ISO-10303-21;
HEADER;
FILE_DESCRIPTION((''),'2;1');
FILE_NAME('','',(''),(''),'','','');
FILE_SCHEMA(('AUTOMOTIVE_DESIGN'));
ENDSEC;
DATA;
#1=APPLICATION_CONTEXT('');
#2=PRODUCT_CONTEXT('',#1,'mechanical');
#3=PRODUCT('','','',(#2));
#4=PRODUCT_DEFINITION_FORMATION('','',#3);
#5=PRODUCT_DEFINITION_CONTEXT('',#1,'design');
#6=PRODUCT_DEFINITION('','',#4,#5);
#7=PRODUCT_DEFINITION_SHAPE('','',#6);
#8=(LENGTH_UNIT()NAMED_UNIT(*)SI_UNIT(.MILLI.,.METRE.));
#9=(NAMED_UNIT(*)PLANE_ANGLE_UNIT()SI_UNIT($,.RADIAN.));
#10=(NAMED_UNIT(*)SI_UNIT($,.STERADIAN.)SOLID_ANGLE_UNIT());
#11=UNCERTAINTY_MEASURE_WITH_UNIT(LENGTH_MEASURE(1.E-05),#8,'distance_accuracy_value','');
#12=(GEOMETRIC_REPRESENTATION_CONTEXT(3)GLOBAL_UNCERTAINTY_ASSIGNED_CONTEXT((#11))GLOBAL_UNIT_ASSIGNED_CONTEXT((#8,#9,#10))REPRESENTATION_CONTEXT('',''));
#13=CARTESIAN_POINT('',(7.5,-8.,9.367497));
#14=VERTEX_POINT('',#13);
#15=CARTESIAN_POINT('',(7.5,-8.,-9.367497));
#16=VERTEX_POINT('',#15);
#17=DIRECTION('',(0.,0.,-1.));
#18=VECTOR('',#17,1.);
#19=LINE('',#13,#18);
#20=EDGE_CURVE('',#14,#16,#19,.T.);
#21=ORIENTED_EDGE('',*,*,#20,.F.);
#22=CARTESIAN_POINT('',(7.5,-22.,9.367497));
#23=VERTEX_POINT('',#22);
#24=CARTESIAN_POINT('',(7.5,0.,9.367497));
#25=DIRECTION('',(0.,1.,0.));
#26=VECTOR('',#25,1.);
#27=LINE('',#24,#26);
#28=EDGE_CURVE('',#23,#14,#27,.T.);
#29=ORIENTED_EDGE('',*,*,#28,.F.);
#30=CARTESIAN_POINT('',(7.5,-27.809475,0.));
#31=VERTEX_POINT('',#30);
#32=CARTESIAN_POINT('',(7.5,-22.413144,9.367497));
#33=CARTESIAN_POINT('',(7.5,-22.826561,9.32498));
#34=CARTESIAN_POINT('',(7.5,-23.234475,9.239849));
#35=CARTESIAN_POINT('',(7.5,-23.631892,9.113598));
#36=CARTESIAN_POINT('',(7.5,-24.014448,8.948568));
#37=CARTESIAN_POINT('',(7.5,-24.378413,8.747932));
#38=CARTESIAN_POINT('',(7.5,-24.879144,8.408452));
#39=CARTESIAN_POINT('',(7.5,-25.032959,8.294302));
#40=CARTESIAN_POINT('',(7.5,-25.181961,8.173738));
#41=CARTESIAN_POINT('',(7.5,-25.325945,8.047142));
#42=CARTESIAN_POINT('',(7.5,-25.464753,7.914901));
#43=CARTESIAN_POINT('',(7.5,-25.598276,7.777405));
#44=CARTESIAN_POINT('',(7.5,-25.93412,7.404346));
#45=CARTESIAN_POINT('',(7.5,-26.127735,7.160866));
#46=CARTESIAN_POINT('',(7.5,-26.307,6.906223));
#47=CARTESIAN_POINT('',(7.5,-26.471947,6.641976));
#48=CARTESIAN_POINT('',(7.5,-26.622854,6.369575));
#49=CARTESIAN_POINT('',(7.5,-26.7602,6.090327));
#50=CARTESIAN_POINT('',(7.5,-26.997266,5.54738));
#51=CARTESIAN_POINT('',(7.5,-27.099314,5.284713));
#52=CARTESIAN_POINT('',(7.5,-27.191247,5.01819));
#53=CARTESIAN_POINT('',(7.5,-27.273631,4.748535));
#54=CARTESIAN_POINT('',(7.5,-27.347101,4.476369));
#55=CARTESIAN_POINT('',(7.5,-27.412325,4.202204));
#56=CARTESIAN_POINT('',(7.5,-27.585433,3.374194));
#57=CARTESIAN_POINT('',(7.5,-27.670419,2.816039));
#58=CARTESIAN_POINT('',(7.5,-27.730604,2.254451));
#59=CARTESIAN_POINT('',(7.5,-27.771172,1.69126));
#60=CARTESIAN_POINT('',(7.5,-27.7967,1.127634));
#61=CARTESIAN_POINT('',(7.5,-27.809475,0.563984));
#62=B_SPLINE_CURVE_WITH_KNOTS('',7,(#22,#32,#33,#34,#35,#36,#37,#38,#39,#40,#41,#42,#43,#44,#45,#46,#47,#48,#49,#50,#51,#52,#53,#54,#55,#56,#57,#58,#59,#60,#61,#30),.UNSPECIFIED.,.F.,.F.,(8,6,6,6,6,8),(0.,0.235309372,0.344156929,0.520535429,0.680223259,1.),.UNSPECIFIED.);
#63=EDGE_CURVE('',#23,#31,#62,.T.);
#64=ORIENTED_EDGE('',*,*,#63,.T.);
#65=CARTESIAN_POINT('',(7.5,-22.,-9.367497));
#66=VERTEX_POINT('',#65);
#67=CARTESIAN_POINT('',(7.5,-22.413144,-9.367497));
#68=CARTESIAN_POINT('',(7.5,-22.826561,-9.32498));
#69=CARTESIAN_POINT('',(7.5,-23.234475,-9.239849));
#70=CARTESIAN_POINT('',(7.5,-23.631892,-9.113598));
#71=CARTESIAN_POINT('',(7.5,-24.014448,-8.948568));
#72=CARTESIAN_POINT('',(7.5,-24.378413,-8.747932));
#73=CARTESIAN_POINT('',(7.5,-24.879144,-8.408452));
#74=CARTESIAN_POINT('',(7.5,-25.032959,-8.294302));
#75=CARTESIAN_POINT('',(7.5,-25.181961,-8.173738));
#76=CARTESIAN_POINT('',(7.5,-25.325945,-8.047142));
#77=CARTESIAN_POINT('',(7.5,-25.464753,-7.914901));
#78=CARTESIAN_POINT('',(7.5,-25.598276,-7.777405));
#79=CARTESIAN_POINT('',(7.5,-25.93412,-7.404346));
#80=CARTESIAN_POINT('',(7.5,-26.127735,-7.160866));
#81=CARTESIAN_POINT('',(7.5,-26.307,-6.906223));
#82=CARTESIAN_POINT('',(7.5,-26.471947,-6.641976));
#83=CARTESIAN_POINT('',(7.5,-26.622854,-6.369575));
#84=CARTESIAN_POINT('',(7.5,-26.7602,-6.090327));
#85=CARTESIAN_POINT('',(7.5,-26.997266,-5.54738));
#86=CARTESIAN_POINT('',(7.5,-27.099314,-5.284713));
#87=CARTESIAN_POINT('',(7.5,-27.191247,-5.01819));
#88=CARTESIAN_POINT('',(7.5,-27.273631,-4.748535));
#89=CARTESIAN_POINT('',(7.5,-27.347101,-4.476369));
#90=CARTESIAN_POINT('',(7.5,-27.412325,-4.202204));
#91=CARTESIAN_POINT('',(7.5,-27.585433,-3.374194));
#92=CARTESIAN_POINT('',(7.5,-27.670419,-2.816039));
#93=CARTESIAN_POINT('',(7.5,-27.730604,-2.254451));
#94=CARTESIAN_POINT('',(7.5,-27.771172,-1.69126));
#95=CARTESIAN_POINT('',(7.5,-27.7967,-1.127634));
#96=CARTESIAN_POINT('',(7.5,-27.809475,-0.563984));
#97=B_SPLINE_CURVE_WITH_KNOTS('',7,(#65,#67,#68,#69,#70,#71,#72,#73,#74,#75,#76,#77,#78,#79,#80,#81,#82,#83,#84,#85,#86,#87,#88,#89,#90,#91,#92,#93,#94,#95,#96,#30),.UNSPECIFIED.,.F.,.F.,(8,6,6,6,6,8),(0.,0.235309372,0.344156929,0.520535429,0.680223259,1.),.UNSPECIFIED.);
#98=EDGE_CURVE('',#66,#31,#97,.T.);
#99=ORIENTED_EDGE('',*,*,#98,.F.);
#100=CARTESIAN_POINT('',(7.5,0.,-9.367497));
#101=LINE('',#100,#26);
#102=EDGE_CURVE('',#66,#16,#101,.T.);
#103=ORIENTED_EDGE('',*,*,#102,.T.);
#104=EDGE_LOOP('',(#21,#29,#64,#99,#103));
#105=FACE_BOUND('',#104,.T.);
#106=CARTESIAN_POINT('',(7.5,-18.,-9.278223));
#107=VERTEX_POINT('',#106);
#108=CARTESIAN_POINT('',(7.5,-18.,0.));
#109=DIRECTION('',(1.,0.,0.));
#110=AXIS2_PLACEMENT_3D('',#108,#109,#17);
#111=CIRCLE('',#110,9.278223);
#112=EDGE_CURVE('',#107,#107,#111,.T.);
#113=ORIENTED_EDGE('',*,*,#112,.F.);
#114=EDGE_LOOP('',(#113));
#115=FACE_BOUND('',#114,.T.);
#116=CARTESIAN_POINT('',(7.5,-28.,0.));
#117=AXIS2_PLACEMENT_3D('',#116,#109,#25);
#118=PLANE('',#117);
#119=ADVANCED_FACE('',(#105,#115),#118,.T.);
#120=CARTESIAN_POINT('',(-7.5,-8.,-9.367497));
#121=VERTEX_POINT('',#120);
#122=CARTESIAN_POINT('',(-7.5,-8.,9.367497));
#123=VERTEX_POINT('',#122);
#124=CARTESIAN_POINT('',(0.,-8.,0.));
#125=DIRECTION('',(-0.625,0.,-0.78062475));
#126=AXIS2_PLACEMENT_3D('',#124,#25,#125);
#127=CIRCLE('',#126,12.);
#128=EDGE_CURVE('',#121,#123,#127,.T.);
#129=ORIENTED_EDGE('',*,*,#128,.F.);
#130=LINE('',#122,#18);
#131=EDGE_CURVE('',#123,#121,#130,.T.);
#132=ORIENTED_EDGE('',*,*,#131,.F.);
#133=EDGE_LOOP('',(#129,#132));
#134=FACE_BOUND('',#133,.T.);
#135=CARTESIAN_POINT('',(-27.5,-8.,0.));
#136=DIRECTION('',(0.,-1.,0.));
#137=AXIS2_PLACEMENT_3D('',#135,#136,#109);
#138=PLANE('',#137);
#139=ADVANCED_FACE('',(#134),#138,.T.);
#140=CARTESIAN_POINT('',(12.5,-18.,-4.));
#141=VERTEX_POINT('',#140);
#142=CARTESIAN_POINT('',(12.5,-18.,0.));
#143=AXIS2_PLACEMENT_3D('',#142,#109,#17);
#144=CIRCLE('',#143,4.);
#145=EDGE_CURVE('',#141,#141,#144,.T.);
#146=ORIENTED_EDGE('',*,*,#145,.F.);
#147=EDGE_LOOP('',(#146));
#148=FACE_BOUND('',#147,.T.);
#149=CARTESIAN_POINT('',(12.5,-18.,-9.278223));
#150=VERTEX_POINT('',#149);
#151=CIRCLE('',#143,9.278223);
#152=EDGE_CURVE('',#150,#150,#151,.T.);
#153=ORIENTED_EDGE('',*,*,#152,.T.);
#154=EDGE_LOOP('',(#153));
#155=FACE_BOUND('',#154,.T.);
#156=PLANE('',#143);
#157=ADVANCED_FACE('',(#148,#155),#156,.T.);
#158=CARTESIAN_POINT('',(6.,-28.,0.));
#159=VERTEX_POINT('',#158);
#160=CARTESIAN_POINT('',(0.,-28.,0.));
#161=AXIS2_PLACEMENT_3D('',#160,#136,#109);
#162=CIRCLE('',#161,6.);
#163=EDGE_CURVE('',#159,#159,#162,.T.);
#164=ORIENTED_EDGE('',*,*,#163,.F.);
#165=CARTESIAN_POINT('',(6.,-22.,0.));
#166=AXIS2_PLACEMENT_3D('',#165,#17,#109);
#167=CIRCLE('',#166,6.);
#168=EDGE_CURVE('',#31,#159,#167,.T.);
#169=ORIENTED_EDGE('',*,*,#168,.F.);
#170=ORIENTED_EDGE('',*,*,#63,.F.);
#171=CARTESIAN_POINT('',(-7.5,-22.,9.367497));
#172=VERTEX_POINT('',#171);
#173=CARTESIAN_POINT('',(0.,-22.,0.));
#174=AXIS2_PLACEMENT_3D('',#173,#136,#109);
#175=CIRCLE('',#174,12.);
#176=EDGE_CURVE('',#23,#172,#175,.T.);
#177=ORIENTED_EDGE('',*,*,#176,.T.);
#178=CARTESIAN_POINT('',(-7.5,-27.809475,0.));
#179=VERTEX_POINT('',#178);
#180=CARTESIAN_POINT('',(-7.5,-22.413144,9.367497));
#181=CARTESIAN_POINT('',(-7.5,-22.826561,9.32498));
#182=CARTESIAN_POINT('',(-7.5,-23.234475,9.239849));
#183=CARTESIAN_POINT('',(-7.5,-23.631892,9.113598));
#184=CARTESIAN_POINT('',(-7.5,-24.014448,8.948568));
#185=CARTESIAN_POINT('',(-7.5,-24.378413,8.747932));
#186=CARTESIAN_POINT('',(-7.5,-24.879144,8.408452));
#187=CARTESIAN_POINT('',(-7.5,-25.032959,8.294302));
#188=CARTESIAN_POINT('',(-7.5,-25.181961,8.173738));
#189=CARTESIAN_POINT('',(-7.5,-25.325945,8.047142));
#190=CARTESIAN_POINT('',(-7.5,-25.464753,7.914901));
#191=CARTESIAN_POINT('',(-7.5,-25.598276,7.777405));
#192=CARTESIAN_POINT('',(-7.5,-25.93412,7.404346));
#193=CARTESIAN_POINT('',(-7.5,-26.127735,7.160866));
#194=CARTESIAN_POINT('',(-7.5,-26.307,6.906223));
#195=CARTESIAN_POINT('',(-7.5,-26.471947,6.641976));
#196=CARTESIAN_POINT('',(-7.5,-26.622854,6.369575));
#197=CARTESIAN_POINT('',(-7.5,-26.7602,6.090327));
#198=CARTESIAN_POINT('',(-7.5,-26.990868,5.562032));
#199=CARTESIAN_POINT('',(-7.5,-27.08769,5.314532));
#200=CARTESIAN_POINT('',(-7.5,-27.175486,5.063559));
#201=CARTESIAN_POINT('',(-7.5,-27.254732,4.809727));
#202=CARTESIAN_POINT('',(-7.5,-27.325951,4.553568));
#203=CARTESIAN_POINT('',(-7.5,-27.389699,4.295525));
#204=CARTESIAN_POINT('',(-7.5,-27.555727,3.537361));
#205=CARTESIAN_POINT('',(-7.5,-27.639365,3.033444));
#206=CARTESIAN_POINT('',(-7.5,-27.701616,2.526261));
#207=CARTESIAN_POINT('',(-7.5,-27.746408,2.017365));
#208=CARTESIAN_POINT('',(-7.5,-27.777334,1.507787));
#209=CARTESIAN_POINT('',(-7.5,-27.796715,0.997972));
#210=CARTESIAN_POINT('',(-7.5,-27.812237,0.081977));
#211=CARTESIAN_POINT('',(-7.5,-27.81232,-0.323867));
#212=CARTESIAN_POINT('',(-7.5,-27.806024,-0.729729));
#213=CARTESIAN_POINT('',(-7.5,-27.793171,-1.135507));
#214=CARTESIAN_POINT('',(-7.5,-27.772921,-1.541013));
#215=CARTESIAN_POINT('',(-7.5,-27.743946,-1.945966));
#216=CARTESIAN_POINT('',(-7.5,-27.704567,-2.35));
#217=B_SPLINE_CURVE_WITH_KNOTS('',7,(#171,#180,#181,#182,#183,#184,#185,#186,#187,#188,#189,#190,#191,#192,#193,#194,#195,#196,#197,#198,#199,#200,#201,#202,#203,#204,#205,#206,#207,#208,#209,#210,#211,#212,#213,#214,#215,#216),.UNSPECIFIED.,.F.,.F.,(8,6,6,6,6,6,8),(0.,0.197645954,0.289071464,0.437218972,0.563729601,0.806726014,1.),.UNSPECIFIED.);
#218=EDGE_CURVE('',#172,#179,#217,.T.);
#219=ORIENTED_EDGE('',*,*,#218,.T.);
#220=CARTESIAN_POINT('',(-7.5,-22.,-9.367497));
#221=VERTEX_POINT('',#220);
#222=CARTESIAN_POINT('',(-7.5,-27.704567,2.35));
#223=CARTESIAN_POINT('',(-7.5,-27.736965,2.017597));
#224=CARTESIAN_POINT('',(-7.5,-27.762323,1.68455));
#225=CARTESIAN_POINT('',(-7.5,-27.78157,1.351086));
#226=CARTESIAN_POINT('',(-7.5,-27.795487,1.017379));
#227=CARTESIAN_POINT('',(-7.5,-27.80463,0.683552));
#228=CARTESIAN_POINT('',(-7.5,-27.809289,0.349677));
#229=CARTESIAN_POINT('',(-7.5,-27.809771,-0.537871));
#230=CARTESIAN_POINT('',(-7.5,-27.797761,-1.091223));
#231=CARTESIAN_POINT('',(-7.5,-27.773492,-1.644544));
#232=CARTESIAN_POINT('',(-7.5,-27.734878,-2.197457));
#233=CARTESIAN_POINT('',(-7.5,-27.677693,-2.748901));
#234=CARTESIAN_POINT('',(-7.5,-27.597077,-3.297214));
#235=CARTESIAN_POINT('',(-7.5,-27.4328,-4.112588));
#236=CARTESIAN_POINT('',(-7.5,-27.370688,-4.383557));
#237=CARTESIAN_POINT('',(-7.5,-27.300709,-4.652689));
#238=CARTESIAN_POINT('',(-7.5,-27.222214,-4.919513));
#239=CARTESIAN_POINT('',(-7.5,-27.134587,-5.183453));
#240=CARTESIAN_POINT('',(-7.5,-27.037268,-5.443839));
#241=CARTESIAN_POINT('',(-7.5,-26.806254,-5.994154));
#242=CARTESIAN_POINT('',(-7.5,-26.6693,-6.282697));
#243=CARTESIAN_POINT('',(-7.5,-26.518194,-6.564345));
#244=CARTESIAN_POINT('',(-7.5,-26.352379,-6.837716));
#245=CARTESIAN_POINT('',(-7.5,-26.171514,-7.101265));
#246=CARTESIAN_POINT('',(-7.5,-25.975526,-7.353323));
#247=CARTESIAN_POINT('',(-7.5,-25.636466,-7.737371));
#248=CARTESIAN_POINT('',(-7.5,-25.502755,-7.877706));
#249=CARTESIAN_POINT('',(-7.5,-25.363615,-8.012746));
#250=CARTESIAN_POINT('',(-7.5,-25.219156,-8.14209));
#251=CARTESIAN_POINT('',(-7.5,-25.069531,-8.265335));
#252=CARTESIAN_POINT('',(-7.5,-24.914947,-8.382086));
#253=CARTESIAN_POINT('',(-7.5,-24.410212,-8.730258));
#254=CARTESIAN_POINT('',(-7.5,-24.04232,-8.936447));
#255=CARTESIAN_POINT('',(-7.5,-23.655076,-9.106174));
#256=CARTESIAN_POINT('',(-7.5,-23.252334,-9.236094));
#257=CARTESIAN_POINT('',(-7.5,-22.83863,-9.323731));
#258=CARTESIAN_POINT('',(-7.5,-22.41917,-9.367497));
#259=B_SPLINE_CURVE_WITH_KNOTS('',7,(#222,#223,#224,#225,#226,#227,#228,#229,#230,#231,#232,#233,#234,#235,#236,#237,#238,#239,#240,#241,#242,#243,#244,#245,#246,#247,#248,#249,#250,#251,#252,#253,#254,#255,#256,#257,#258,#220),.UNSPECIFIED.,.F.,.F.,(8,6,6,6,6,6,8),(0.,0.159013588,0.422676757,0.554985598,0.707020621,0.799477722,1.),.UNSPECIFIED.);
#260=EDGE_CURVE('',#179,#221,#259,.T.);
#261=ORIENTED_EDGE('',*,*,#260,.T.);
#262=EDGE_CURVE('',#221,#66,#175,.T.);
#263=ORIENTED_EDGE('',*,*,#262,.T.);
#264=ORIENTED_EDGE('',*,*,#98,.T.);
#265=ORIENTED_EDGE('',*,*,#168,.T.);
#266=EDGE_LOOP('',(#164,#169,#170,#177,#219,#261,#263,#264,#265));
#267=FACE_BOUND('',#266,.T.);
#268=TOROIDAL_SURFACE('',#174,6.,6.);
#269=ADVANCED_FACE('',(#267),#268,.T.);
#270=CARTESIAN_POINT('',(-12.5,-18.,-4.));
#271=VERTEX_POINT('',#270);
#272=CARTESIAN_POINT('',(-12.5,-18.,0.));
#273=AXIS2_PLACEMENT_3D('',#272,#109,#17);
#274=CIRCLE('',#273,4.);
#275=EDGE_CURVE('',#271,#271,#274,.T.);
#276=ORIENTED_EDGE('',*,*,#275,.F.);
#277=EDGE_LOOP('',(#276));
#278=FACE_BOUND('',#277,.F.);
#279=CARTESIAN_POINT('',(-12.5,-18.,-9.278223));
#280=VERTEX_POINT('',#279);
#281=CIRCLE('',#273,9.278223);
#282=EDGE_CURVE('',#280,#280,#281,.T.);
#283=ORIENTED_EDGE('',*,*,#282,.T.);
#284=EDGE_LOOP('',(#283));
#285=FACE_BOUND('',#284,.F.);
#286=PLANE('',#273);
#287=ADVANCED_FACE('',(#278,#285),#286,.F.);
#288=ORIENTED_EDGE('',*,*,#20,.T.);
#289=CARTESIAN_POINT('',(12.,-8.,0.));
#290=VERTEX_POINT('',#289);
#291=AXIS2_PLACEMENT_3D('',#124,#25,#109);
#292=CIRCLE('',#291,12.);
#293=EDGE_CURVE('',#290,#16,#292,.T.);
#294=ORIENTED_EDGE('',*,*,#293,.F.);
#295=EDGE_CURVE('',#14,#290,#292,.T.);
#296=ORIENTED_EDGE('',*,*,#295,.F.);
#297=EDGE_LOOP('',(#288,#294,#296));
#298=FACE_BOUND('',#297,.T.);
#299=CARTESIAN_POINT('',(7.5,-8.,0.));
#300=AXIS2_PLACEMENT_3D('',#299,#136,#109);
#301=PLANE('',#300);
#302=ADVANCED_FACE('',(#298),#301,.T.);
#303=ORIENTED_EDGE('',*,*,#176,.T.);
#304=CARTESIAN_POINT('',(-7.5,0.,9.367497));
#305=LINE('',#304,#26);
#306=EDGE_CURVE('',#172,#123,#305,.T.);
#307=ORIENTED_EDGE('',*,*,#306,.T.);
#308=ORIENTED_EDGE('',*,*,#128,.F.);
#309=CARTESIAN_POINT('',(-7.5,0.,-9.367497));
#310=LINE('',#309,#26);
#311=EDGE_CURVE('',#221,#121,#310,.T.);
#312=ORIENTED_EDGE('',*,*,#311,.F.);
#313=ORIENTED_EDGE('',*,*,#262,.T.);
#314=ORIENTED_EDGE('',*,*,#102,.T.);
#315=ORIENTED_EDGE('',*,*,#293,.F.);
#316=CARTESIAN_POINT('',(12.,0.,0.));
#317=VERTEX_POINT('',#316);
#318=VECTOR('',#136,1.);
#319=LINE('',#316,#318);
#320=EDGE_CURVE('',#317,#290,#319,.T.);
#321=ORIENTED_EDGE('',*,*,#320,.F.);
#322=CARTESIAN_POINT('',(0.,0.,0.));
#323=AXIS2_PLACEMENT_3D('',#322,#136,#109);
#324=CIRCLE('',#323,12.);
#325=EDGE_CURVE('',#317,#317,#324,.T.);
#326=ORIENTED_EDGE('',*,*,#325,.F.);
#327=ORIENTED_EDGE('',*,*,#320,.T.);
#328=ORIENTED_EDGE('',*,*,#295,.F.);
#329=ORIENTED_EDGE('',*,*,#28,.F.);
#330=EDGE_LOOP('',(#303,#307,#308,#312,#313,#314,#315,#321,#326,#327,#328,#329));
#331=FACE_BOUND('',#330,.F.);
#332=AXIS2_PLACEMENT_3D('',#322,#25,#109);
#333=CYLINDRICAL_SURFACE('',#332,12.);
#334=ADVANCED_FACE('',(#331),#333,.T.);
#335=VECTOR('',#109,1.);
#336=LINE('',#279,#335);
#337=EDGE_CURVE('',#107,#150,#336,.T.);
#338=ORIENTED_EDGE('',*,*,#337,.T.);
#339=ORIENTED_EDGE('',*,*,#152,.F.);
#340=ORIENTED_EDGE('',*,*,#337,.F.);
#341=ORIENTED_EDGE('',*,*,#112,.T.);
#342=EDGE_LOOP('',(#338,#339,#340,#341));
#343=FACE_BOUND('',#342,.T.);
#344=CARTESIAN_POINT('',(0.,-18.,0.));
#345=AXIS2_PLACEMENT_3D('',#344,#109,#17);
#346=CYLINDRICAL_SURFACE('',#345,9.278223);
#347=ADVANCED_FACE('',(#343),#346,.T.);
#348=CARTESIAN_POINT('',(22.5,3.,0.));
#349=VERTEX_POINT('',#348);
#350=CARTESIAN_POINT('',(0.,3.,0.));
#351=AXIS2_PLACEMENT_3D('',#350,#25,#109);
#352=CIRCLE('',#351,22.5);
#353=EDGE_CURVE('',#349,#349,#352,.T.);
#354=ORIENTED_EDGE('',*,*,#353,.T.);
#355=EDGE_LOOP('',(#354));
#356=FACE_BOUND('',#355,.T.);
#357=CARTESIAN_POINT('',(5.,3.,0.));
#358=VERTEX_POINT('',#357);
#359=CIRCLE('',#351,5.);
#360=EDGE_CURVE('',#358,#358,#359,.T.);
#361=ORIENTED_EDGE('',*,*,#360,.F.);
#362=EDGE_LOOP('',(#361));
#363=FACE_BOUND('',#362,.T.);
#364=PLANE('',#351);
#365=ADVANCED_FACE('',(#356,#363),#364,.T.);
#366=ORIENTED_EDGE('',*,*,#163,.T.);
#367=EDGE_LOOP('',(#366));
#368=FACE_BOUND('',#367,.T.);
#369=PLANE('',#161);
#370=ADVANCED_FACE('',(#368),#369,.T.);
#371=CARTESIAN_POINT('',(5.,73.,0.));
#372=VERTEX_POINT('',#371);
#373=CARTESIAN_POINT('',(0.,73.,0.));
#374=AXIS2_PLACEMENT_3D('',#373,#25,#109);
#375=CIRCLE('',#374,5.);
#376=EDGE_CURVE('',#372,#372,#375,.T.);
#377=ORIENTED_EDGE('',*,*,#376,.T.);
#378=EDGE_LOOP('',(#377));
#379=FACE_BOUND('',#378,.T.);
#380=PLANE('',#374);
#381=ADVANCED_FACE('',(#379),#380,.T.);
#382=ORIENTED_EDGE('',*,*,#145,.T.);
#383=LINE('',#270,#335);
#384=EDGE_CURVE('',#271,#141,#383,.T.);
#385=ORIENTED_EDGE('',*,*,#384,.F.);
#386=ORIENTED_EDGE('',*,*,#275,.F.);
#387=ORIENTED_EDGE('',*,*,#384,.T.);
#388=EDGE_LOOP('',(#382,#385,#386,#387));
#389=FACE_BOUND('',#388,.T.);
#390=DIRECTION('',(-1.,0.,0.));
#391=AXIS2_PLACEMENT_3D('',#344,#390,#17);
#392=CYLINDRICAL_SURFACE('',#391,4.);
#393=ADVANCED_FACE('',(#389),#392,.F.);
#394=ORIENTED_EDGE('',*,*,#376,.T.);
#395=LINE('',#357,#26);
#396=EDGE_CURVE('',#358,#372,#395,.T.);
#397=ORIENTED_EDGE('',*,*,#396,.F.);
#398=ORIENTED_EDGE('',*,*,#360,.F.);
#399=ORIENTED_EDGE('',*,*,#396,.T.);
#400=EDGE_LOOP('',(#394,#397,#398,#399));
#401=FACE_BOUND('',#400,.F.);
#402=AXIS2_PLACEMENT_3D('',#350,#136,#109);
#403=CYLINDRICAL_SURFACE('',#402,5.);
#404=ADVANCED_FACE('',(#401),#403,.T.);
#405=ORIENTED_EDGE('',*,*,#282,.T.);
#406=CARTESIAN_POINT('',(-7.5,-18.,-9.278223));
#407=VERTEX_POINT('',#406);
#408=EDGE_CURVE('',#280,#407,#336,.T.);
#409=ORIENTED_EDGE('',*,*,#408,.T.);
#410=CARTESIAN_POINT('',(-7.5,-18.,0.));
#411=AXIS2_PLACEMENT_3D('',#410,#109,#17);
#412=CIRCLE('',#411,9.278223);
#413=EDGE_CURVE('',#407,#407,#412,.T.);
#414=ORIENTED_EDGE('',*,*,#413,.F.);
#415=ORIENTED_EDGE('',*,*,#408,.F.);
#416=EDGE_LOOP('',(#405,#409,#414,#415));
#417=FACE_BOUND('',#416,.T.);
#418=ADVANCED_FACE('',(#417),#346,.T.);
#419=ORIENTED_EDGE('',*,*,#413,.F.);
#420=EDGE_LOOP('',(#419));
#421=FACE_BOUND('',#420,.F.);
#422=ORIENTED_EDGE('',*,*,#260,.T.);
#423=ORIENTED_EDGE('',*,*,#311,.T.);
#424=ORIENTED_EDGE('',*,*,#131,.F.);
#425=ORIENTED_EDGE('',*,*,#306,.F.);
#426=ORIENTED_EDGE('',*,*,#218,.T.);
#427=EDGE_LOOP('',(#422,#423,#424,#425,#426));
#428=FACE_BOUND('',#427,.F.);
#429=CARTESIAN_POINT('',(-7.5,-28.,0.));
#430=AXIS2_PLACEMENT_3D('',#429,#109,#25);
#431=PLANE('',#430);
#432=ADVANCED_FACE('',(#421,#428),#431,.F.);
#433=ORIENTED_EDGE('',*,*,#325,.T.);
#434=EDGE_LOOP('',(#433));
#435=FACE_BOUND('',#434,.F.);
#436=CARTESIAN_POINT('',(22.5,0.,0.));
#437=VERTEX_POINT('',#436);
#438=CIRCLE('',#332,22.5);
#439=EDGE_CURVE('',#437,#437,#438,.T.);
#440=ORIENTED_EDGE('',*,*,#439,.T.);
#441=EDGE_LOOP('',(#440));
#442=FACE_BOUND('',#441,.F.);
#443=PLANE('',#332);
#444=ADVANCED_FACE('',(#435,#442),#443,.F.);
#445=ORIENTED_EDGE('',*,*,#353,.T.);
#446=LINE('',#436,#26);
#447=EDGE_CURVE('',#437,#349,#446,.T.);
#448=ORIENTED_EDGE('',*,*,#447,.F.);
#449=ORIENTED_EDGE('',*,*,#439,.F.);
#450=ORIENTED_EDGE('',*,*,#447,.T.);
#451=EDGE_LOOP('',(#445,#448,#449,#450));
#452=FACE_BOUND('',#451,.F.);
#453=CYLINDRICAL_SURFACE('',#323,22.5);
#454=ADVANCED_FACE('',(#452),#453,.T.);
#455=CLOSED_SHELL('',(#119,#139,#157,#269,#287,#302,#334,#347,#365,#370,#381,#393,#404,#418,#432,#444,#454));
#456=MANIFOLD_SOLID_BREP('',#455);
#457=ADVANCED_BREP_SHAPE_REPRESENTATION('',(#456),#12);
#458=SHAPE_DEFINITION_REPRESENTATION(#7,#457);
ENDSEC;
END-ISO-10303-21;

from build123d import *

# Parameters (mm, degrees)
SKETCH1_R               = 22.5
BOSS_EXTRUDE3_DEPTH     = 3
SKETCH3_R               = 5
BOSS_EXTRUDE4_DEPTH     = 70
SKETCH4_R               = 12
BOSS_EXTRUDE5_DEPTH     = 28
FILLET1_R               = 6
SKETCH6_W               = 20
SKETCH6_H               = 20
CUT_EXTRUDE1_DEPTH      = 23.5
CUT_EXTRUDE1_DEPTH_BACK = 23.5
SKETCH7_R               = 4
CUT_EXTRUDE2_DEPTH      = 28
SKETCH10_R              = 9.27822292
SKETCH10_R_2            = 4
BOSS_EXTRUDE6_DEPTH     = 12.5


with BuildPart() as part:
    # Sketch1 → Boss-Extrude3 (new body)
    with BuildSketch(Plane(origin=(0, 0, 0), x_dir=(1, 0, 0), z_dir=(0, 1, 0))):
        Circle(SKETCH1_R)
    extrude(amount=BOSS_EXTRUDE3_DEPTH)

    # Sketch3 → Boss-Extrude4 (add)
    with BuildSketch(Plane(origin=(0, 3, 0), x_dir=(1, 0, 0), z_dir=(0, 1, 0))):
        Circle(SKETCH3_R)
    extrude(amount=BOSS_EXTRUDE4_DEPTH)

    # Sketch4 → Boss-Extrude5 (add)
    with BuildSketch(Plane.XZ):
        Circle(SKETCH4_R)
    extrude(amount=BOSS_EXTRUDE5_DEPTH)

    # Fillet1
    fillet1_edges = [part.edges().sort_by_distance(p)[0] for p in [
        (-12, -28, 0),
    ]]
    fillet(fillet1_edges, radius=FILLET1_R)

    # Sketch6 → Cut-Extrude1 (cut, two sides)
    with BuildSketch(Plane.XY) as cut_extrude1_sk:
        with Locations((17.5, -18)):
            Rectangle(SKETCH6_W, SKETCH6_H)
        with Locations((-17.5, -18)):
            Rectangle(SKETCH6_W, SKETCH6_H)
    extrude(amount=CUT_EXTRUDE1_DEPTH, mode=Mode.SUBTRACT)
    extrude(cut_extrude1_sk.sketch, amount=-CUT_EXTRUDE1_DEPTH_BACK, mode=Mode.SUBTRACT)

    # Sketch7 → Cut-Extrude2 (cut)
    with BuildSketch(Plane(origin=(7.5, 0, 0), x_dir=(0, 0, -1), z_dir=(1, 0, 0))):
        with Locations((0, -18)):
            Circle(SKETCH7_R)
    extrude(amount=-CUT_EXTRUDE2_DEPTH, mode=Mode.SUBTRACT)

    # Sketch10 → Boss-Extrude6 (add, symmetric)
    with BuildSketch(Plane(origin=(0, 0, 0), x_dir=(0, 0, -1), z_dir=(1, 0, 0))):
        with Locations((0, -18)):
            Circle(SKETCH10_R)
        with Locations((0, -18)):
            Circle(SKETCH10_R_2, mode=Mode.SUBTRACT)
    extrude(amount=BOSS_EXTRUDE6_DEPTH, both=True)


solid = part.part
